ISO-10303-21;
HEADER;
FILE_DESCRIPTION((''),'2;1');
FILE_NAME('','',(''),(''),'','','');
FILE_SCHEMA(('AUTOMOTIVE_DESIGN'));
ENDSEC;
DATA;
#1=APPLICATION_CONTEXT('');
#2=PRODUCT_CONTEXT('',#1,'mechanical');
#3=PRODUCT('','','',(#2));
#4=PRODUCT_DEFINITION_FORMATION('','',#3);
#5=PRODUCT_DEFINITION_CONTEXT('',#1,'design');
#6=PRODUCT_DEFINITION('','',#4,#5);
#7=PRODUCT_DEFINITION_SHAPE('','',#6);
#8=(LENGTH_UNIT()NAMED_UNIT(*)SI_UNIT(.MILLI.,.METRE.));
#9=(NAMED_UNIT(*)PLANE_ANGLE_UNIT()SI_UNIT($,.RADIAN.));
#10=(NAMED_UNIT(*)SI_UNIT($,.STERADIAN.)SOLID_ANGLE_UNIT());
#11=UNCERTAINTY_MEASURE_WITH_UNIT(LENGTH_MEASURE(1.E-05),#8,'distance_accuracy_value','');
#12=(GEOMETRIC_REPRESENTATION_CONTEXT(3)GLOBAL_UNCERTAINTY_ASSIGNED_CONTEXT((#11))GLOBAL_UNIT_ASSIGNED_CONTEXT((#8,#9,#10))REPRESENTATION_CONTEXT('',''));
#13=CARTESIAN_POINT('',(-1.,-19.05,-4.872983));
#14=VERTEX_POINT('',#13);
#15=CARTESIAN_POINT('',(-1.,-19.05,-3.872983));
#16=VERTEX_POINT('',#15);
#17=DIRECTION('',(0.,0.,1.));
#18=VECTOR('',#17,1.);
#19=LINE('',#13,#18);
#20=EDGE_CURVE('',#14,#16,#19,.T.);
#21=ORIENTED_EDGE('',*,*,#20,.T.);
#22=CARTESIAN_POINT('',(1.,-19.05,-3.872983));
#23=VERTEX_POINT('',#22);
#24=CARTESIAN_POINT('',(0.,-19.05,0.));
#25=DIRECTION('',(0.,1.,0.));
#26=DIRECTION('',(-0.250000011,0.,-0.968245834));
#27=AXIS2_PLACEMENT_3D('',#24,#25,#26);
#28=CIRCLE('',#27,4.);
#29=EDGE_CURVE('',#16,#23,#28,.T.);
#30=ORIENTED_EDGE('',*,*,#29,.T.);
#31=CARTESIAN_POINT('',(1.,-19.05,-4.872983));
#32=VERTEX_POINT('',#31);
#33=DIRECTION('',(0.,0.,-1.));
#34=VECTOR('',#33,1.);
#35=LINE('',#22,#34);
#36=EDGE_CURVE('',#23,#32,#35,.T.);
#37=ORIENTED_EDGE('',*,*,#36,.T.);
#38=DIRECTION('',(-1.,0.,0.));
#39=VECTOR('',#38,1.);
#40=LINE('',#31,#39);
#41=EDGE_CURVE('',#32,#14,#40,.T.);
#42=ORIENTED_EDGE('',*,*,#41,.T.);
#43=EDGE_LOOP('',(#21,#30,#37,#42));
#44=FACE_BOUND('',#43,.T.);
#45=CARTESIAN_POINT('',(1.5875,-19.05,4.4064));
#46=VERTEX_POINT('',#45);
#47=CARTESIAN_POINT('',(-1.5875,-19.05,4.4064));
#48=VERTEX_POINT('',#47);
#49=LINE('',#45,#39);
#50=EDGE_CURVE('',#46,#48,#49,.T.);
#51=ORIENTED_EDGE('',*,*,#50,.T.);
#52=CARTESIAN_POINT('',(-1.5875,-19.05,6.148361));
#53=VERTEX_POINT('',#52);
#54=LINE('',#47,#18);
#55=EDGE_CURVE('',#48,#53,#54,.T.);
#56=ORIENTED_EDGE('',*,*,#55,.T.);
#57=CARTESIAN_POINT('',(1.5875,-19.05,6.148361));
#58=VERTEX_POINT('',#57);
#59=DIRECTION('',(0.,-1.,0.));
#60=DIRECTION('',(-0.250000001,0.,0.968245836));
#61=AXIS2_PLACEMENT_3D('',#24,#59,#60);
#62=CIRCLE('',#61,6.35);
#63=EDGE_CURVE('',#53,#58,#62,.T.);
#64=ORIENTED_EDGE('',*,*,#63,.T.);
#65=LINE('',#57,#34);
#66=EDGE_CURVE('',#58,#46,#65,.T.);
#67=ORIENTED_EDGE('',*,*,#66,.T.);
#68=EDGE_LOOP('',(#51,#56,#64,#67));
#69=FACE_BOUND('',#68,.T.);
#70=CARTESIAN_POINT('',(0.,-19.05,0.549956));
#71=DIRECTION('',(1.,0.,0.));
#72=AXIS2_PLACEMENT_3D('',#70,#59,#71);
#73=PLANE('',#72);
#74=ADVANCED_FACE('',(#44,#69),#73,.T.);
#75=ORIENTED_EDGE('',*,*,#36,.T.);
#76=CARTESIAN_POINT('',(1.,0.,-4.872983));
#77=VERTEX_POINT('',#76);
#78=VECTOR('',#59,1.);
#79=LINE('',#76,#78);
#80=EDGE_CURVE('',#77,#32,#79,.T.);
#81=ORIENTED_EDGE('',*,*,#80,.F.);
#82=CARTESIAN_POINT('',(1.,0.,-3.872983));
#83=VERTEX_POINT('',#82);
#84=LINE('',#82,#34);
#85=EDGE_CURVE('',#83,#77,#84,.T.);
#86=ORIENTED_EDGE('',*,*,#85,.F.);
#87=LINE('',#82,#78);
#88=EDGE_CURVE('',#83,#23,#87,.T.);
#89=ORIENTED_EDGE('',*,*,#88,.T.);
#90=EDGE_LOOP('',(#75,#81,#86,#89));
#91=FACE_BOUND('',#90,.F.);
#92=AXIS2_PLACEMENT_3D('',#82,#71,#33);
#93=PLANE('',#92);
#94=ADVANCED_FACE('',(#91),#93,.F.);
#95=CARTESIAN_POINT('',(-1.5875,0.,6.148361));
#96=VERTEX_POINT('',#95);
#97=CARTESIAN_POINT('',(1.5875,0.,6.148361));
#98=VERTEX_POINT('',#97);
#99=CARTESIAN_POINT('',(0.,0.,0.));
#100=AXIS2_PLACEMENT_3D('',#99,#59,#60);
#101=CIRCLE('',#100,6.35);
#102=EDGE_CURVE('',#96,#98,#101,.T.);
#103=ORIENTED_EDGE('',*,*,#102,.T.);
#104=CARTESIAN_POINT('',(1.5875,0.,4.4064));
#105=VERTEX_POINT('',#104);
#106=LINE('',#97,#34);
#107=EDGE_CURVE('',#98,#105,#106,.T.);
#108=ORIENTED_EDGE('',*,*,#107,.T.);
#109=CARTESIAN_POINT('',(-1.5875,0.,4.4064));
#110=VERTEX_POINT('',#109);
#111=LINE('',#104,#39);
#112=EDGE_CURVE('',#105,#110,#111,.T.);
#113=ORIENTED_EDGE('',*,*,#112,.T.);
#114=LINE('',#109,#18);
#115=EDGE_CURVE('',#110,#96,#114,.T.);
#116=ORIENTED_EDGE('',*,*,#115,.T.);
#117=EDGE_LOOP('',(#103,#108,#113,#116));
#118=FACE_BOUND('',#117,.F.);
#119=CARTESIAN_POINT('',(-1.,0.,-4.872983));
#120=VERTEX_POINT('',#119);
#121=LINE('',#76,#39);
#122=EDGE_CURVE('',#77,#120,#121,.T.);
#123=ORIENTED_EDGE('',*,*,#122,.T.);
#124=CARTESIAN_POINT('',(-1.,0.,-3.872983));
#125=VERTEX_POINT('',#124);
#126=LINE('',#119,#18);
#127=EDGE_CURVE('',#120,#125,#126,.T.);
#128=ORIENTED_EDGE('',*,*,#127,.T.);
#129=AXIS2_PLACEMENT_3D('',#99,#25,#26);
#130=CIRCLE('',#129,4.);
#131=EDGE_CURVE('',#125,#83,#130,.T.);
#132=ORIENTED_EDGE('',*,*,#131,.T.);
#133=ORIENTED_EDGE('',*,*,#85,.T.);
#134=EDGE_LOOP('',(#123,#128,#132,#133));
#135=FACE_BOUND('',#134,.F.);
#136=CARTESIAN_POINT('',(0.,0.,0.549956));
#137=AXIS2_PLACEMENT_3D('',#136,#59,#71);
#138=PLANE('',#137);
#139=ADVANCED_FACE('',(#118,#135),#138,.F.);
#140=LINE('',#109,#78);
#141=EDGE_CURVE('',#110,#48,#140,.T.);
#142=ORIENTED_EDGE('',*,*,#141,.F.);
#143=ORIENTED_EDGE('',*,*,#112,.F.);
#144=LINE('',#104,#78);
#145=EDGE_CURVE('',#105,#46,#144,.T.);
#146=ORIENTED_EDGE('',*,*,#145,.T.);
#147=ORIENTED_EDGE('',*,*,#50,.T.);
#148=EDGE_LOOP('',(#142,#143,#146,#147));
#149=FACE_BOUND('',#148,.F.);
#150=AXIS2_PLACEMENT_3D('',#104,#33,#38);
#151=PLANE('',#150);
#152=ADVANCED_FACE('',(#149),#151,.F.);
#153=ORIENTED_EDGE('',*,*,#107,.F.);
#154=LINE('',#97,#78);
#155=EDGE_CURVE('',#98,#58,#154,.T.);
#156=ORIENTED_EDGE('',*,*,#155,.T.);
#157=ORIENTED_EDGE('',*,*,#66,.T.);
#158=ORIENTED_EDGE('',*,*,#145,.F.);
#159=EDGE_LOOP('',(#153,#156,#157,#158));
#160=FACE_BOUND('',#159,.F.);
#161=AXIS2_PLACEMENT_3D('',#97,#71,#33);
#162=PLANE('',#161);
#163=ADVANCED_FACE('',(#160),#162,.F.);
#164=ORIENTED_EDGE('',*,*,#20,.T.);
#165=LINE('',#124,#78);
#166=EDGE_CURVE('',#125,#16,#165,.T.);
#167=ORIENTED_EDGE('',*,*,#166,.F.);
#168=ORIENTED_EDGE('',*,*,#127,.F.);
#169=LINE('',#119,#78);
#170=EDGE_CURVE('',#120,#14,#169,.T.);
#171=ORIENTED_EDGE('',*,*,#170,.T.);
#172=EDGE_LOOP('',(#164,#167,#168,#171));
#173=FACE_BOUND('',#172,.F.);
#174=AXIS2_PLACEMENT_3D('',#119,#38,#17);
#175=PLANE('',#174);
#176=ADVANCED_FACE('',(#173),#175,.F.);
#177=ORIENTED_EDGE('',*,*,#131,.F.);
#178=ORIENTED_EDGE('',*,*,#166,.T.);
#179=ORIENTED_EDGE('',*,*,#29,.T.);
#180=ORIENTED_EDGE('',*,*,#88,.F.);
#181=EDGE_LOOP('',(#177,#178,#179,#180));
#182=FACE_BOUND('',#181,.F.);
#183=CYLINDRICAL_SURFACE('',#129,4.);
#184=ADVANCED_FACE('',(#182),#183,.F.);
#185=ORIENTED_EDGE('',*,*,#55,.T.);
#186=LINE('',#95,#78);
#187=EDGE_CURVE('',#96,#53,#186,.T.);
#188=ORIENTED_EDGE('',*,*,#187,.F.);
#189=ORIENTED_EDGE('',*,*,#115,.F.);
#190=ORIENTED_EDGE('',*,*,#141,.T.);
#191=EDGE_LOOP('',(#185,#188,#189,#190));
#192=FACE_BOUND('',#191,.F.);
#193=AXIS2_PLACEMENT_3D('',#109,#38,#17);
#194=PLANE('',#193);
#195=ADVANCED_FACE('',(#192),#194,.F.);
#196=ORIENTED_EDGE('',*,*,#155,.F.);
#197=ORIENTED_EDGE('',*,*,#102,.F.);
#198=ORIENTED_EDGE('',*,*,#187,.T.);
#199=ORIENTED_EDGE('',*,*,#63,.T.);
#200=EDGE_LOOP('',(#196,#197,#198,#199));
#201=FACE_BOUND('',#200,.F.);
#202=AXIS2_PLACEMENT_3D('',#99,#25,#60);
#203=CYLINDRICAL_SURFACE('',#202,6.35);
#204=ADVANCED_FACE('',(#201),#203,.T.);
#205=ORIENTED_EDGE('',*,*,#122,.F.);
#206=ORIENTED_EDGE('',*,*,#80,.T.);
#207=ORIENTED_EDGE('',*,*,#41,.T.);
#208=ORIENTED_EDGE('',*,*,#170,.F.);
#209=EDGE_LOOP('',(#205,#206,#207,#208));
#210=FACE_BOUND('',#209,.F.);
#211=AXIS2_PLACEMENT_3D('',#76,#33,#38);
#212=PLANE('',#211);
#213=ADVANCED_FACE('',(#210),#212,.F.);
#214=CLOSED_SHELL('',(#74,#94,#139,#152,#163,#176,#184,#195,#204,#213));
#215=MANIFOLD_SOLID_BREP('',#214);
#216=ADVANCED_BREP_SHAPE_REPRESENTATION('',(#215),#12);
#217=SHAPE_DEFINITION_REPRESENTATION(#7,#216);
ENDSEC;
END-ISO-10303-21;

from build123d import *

# Parameters (mm, degrees)
F1_DEPTH = 19.05


with BuildPart() as f1:
    # F0 (on Front) → F1 (new body)
    with BuildSketch(Plane.XZ):
        with BuildLine():
            Line((-1.5875, 4.4064), (-1.5875, 6.148361))
            ThreePointArc((-1.5875, 6.148361), (0, -6.35), (1.5875, 6.148361))
            Line((1.5875, 6.148361), (1.5875, 4.4064))
            Line((1.5875, 4.4064), (-1.5875, 4.4064))
        make_face()
        with BuildLine():
            ThreePointArc((-1, -3.872983), (0, 4), (1, -3.872983))
            Line((1, -3.872983), (1, -4.872983))
            Line((1, -4.872983), (-1, -4.872983))
            Line((-1, -4.872983), (-1, -3.872983))
        make_face(mode=Mode.SUBTRACT)
    extrude(amount=F1_DEPTH)


solid = f1.part
